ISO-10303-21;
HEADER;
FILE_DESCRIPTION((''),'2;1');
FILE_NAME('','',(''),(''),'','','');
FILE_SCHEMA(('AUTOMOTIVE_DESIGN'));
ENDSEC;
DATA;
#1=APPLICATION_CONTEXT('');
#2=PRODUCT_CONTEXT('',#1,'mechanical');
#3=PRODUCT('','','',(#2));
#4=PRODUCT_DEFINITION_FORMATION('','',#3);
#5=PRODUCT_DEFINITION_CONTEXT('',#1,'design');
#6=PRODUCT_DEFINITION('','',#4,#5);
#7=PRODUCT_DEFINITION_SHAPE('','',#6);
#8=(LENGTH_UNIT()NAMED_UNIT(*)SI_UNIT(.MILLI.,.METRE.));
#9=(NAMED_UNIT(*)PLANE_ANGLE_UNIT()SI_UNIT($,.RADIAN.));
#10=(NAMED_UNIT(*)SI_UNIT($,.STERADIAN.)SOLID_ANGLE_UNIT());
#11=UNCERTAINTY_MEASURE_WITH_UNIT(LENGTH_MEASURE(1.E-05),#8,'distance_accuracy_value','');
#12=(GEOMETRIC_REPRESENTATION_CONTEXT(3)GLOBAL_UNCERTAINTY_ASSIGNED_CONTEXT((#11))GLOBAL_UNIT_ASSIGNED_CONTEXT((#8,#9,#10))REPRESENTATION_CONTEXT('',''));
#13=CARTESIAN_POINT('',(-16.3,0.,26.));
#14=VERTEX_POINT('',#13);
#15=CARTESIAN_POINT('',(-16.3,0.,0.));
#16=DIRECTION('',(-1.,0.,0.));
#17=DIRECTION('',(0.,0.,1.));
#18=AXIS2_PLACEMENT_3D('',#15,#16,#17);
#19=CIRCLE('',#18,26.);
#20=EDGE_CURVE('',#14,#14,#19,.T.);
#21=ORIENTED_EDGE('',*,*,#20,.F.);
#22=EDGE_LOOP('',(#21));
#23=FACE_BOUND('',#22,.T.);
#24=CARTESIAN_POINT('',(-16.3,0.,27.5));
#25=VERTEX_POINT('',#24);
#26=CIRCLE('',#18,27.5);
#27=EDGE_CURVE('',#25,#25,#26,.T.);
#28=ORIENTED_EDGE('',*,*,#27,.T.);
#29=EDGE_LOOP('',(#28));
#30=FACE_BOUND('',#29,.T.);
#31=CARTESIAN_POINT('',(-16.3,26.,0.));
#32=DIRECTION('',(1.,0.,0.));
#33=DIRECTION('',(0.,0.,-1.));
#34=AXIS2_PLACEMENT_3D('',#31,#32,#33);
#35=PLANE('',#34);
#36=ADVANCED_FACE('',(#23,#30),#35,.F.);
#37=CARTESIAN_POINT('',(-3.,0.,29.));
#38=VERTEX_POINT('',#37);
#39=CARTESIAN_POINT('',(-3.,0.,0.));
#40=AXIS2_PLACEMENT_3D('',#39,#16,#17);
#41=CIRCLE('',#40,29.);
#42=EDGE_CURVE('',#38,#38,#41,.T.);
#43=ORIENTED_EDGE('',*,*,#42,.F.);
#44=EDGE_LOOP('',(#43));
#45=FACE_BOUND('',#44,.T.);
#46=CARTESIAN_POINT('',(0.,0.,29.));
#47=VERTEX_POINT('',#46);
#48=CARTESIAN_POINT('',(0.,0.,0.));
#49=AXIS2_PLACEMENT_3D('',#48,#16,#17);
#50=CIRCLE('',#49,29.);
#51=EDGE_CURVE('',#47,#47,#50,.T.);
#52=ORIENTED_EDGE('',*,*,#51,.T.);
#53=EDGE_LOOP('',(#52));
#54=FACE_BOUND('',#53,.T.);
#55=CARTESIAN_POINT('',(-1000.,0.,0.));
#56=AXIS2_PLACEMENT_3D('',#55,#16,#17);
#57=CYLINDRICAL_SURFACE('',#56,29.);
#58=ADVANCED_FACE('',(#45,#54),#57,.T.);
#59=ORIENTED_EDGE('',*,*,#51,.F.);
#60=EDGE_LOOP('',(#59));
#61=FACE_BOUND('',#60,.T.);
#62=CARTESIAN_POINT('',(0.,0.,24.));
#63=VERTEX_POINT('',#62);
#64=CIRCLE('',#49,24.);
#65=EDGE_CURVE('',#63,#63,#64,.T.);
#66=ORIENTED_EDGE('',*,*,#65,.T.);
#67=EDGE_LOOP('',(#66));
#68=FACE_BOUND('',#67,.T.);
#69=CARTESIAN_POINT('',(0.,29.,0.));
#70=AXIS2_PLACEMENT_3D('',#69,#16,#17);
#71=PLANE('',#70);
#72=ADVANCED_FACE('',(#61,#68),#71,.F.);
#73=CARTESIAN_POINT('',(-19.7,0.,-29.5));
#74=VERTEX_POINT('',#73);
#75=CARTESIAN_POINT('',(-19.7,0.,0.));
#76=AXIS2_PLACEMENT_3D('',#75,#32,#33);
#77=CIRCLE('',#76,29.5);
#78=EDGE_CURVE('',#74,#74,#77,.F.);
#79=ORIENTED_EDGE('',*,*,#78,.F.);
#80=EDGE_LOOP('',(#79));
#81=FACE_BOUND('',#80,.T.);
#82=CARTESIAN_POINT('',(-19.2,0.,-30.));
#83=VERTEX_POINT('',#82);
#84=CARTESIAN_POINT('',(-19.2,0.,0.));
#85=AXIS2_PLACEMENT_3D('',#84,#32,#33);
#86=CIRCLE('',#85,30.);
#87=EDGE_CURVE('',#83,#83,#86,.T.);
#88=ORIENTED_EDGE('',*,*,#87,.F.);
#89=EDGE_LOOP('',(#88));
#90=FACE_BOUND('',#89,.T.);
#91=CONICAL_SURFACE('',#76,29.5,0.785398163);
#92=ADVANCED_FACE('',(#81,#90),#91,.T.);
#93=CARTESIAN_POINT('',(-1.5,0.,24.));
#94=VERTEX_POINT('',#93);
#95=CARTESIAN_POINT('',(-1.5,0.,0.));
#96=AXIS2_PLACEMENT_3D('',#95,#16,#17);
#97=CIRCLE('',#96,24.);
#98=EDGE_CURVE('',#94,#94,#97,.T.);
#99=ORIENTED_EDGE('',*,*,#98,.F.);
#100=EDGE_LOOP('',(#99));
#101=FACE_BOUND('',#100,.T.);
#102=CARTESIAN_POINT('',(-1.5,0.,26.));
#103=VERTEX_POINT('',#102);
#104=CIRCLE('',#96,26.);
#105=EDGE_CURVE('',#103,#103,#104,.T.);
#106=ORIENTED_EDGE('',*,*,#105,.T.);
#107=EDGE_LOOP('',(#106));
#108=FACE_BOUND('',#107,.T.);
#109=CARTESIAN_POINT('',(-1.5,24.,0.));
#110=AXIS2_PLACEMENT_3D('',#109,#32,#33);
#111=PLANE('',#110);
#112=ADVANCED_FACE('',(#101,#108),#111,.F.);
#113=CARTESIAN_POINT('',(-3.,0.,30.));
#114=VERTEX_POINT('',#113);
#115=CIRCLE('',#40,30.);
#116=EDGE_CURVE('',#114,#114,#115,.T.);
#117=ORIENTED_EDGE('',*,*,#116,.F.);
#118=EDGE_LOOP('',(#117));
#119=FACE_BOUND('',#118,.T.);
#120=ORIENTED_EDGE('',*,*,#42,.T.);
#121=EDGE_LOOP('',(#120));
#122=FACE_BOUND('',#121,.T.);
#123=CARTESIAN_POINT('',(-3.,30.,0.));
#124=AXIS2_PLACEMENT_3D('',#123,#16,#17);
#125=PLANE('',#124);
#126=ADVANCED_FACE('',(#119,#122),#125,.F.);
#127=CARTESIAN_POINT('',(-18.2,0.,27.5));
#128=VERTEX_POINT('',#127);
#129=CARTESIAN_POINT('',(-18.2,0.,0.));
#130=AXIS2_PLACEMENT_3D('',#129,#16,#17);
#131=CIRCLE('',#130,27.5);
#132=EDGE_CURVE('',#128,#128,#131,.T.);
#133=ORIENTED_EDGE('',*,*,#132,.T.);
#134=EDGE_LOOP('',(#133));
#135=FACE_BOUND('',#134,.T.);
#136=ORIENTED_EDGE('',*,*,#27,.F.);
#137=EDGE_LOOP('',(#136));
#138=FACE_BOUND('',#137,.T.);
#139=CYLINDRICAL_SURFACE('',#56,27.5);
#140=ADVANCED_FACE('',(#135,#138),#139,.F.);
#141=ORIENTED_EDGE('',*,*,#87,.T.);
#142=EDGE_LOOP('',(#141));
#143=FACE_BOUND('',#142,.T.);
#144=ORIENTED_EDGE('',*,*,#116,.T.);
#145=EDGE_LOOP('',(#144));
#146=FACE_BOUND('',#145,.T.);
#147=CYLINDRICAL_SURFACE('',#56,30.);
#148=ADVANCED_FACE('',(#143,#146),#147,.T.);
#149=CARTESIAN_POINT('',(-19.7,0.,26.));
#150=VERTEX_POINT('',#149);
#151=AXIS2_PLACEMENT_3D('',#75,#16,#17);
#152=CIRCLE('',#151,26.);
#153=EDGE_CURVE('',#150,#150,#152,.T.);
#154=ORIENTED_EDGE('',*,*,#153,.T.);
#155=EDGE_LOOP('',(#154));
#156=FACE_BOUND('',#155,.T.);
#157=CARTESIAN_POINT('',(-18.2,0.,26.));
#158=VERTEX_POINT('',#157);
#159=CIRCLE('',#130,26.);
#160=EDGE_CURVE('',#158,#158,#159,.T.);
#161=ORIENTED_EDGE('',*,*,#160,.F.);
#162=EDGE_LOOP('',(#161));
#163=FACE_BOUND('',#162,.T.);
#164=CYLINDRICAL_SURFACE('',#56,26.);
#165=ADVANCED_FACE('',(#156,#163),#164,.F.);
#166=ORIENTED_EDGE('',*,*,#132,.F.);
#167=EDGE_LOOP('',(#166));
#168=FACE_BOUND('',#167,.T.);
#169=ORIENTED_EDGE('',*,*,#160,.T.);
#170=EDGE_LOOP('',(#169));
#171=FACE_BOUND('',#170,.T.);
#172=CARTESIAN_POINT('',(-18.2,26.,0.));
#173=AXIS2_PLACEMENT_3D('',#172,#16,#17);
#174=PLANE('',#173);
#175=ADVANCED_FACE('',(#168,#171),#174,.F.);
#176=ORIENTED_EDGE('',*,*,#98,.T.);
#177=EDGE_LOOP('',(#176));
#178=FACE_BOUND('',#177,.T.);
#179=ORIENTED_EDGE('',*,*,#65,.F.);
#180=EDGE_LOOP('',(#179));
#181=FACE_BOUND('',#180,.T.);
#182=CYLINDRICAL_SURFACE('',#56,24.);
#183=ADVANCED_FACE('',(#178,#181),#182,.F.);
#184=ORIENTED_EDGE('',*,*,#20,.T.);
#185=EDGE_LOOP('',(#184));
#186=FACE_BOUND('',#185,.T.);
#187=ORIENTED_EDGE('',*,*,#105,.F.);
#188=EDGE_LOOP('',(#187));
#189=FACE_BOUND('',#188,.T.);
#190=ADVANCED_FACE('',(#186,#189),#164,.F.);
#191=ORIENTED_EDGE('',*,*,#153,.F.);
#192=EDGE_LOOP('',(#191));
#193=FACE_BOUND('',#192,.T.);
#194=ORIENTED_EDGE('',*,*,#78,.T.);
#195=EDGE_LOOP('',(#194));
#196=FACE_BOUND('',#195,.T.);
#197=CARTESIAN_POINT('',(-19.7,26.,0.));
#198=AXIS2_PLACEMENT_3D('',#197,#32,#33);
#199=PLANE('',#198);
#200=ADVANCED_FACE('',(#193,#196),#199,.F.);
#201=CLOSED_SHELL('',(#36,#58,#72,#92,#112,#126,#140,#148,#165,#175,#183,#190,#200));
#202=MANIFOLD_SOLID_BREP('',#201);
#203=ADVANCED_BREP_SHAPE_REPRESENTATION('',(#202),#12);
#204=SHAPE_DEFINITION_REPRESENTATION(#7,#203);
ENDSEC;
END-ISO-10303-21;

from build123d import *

# Parameters (mm, degrees)
CHAMFER_1_SIZE = 0.5


with BuildPart() as part:
    # Эскиз1 → Повернуть1 (revolve)
    with BuildSketch(Plane.XY):
        Polygon((0, 24), (-1.5, 24), (-1.5, 26), (-16.3, 26), (-16.3, 27.5), (-18.2, 27.5), (-18.2, 26), (-19.7, 26), (-19.7, 30), (-3, 30), (-3, 29), (0, 29), align=None)
    revolve(axis=Axis((-1000, 0, 0), (1, 0, 0)))

    # Фаска1
    chamfer_1_edges = [part.edges().sort_by_distance(p)[0] for p in [
        (-19.7, -30, 0),
    ]]
    chamfer(chamfer_1_edges, length=CHAMFER_1_SIZE)


solid = part.part
